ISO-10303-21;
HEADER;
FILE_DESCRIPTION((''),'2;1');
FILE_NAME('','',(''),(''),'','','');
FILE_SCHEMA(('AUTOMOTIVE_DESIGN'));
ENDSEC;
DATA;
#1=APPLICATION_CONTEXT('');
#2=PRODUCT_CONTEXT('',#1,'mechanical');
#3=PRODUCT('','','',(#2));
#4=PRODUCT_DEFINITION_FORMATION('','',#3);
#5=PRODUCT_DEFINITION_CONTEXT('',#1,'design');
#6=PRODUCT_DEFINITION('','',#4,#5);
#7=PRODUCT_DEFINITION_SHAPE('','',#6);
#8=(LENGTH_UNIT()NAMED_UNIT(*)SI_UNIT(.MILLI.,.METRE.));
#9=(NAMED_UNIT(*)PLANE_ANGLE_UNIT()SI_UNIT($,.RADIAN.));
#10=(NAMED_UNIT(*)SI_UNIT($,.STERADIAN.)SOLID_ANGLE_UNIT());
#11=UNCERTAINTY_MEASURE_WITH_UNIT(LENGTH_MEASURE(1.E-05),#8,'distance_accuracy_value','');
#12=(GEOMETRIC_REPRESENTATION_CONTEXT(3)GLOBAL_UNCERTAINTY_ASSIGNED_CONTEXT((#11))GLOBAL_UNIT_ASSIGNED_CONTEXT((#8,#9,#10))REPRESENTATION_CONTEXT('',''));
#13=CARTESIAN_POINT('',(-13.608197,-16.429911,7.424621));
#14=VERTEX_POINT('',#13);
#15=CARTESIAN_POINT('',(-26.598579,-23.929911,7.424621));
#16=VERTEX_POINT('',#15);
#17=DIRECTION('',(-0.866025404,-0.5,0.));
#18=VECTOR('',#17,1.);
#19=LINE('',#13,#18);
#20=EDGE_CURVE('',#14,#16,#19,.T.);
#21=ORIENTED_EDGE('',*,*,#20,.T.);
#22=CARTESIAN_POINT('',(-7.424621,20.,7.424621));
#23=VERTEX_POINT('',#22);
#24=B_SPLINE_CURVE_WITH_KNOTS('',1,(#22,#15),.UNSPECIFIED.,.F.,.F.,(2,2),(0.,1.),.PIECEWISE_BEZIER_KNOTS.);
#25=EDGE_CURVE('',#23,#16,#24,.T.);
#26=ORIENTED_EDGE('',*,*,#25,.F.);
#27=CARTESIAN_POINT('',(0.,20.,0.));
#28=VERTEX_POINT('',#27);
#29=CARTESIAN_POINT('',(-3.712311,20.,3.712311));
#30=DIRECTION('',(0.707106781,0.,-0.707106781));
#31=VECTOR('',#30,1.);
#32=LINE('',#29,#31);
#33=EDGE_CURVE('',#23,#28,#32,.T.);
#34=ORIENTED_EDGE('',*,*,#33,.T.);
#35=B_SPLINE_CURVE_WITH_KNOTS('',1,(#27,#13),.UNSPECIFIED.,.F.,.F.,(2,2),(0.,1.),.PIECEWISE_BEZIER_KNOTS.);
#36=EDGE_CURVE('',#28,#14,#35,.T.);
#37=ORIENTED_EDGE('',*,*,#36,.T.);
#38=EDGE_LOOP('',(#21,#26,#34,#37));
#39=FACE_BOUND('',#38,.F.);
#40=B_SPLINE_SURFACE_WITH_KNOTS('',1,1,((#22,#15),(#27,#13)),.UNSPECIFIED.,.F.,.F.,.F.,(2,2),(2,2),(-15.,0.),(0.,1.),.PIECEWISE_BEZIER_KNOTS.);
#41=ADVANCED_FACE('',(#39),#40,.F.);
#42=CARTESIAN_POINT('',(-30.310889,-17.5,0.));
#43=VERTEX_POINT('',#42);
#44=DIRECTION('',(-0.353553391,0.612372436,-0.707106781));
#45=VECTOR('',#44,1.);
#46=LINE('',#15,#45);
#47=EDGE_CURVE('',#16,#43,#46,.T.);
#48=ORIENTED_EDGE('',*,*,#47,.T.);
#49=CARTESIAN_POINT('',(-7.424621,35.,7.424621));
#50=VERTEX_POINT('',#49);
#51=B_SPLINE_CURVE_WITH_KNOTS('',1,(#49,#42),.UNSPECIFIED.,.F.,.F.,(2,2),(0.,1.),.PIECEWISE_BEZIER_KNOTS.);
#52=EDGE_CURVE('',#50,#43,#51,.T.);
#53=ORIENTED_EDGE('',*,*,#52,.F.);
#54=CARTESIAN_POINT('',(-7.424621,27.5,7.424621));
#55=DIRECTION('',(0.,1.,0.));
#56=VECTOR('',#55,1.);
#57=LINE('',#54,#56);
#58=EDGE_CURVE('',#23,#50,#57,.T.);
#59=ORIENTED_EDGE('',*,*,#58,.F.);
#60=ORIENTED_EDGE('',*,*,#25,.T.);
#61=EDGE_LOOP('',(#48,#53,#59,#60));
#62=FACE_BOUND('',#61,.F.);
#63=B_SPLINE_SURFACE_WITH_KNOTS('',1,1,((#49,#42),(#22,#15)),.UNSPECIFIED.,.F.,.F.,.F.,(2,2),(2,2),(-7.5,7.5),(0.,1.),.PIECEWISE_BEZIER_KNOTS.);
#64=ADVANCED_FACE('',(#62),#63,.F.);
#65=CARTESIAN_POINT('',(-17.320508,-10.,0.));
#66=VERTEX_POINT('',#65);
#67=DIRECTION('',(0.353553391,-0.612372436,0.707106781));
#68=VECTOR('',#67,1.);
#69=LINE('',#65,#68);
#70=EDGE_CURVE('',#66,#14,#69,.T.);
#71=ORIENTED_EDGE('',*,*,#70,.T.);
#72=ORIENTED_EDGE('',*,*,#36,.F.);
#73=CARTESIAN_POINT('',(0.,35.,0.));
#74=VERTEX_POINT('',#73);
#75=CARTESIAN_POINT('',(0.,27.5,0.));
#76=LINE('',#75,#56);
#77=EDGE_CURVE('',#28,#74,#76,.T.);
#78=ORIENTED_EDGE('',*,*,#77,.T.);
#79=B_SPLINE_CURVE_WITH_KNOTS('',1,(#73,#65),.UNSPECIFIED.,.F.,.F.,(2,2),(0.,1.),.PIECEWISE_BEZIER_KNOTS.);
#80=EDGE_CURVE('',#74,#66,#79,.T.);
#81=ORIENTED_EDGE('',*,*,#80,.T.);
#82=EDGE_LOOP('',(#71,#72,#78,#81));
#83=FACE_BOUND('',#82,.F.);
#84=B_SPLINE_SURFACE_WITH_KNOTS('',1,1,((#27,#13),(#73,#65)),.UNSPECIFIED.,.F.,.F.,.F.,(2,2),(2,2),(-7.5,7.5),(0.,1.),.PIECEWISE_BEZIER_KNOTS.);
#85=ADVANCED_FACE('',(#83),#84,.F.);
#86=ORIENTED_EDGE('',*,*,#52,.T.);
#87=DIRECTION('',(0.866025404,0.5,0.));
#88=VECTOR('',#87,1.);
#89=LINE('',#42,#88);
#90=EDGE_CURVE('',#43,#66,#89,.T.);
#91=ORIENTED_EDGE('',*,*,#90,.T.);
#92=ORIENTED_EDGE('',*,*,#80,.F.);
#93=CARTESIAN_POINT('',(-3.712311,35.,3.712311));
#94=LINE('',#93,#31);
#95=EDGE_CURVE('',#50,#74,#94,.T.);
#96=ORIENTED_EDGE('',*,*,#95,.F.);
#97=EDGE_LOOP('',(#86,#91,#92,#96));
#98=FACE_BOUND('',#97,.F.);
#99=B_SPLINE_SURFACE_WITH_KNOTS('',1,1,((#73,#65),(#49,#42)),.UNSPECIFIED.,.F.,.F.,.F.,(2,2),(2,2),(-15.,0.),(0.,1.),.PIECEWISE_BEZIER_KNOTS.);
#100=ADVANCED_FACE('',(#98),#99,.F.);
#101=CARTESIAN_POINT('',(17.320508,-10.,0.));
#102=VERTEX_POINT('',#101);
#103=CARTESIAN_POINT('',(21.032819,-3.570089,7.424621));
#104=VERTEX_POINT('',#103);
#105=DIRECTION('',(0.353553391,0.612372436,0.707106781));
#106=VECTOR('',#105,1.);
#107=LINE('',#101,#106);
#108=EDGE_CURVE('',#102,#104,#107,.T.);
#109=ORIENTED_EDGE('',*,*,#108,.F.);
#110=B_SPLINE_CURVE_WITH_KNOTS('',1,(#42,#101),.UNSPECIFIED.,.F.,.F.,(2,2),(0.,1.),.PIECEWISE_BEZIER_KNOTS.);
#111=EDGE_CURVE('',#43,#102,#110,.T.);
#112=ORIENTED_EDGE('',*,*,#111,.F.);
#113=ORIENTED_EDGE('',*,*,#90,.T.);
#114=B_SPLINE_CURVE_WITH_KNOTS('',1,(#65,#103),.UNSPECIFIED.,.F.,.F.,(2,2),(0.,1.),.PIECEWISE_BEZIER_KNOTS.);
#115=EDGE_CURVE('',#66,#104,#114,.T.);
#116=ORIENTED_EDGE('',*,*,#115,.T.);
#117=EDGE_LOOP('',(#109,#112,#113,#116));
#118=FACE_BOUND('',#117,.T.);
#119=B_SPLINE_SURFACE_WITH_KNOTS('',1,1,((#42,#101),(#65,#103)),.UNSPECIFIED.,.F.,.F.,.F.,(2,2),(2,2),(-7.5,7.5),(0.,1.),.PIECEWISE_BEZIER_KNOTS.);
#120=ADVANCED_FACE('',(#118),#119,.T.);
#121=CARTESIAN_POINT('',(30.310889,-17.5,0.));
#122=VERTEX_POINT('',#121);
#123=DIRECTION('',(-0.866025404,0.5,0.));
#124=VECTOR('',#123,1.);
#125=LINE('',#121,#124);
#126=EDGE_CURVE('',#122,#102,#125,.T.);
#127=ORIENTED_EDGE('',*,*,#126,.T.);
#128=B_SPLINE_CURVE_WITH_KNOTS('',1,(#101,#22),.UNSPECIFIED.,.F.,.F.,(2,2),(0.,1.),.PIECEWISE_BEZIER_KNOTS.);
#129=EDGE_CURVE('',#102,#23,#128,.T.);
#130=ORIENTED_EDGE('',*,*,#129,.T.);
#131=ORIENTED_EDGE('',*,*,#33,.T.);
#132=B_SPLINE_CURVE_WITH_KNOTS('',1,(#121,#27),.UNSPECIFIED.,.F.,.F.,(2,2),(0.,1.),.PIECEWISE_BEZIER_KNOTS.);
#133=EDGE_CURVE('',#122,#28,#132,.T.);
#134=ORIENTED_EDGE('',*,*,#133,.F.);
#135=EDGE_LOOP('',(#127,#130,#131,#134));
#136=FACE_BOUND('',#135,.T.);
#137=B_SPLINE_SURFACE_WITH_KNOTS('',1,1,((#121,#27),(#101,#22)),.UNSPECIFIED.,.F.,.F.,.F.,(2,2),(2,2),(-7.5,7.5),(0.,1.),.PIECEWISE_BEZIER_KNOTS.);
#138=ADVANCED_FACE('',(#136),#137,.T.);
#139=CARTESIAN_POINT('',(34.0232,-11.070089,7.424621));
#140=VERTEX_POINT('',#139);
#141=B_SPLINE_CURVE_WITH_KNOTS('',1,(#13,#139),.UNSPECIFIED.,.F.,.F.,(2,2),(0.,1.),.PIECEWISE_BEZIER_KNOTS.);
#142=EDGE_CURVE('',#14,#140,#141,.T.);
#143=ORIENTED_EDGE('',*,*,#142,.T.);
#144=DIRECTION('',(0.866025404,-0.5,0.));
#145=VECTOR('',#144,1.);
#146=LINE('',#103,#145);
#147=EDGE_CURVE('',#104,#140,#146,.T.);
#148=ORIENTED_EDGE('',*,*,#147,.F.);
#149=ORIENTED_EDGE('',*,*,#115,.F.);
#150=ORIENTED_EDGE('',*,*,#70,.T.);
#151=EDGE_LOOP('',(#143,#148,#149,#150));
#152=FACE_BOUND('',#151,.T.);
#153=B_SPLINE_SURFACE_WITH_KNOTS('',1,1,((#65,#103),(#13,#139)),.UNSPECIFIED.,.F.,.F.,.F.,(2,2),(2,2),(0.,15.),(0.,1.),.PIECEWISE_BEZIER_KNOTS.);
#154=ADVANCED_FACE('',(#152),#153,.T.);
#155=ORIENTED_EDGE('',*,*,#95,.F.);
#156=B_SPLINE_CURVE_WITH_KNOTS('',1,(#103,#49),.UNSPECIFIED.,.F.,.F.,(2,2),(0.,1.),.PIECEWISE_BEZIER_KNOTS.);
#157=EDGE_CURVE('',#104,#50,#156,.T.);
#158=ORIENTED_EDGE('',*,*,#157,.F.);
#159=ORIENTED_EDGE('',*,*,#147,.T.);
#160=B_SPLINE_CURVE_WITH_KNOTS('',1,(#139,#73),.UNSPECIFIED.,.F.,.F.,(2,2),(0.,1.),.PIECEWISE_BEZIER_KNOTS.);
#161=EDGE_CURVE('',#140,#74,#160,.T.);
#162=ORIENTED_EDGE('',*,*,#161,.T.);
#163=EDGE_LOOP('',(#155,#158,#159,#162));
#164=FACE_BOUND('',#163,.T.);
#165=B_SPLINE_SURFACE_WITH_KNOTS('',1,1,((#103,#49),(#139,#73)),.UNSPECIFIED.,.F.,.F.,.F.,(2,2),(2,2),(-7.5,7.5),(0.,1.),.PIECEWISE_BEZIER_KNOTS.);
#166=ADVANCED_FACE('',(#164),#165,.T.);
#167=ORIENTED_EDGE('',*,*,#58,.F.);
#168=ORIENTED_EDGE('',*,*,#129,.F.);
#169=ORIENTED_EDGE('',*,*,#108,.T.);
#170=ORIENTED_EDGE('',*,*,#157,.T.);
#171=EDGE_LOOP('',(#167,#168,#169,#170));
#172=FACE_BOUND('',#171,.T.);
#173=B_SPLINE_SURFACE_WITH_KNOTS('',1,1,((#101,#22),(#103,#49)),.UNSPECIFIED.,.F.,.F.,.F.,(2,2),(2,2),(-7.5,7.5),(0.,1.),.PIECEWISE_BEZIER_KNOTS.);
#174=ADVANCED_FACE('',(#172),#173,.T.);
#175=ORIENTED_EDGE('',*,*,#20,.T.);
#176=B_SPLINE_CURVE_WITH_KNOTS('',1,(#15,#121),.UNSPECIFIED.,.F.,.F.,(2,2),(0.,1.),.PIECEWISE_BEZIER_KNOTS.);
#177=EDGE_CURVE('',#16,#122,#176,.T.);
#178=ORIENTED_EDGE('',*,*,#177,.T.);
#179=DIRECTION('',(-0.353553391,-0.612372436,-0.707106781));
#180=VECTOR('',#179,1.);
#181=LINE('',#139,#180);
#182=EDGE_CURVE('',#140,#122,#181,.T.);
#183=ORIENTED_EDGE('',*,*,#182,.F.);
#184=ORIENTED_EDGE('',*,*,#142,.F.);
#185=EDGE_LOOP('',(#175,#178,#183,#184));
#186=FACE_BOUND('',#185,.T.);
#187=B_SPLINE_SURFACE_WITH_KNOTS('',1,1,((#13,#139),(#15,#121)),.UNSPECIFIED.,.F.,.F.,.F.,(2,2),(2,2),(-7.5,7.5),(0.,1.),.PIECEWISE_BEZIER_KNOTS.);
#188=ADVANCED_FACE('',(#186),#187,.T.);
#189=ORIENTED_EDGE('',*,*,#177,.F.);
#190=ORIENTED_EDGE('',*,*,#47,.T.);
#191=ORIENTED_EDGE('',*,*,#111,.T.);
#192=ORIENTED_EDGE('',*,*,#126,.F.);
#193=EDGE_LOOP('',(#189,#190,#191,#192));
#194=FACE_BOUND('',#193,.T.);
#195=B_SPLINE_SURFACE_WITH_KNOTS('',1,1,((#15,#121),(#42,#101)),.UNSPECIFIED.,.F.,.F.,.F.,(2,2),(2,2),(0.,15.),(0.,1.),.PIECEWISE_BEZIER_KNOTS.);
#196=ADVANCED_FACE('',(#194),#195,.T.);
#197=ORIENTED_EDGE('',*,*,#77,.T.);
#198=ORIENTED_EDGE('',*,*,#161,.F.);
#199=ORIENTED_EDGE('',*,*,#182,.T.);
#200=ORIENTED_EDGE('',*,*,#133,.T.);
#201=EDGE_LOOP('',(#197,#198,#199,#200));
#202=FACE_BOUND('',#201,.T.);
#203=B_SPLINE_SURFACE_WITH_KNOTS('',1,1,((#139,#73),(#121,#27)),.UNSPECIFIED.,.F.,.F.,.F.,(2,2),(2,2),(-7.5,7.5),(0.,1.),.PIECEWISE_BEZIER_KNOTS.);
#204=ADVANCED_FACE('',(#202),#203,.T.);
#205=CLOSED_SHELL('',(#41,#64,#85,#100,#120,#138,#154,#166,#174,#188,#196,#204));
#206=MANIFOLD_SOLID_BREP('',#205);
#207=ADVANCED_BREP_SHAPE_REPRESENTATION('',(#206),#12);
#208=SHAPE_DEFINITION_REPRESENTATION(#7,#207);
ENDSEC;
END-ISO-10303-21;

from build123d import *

# Parameters (mm, degrees)
F2_W       = 10.5
F2_H       = 15
F7_FACE_W  = 15
F7_FACE_H  = 10.5
F8_FACE_W  = 15
F8_FACE_H  = 10.5
F7_FACE1_W = 15
F7_FACE1_H = 10.5


with BuildPart() as f7:
    # F2 (on line) → F7 section 0
    with BuildSketch(Plane(origin=(0, 0, 0), x_dir=(0.7071067812, 0, -0.7071067812), z_dir=(0.7071067812, 0, 0.7071067812))):
        with Locations((-5.25, 27.5)):
            Rectangle(F2_W, F2_H)
    # F4 (on line) → F7 section 1
    with BuildSketch(Plane(origin=(0, 0, 0), x_dir=(0.9354143467, 0.2314550249, 0.2672612419), z_dir=(0.3535533906, -0.6123724357, -0.7071067812))):
        Polygon((-18.5164019955, 7.5592894602), (-14.5477750289, 17.2804005078), (-28.4350765254, 22.9498676029), (-32.403703492, 13.2287565553), align=None)
    loft()

    # F7_face (on face) → F8 section 0
    with BuildSketch(Plane(origin=(-21.9595433035, -16.9649552874, 3.7123106012), x_dir=(0.8660254038, 0.5, 0), z_dir=(0.3535533906, -0.6123724357, -0.7071067812))):
        Rectangle(F7_FACE_W, F7_FACE_H)
    # F6 (on line) → F8 section 1
    with BuildSketch(Plane(origin=(0, 0, 0), x_dir=(0.9354143467, -0.2314550249, 0.2672612419), z_dir=(0.3535533906, 0.6123724357, -0.7071067812))):
        Polygon((32.403703492, 13.2287565553), (18.5164019955, 7.5592894602), (22.485028962, -2.1618215874), (36.3723304586, 3.5076455077), align=None)
    loft()

    # F8_face (on face) → F9 section 0
    with BuildSketch(Plane(origin=(25.6718539047, -10.5350447126, 3.7123106012), x_dir=(-0.8660254038, 0.5, 0), z_dir=(0.3535533906, 0.6123724357, -0.7071067812))):
        Rectangle(F8_FACE_W, F8_FACE_H)
    # F7_face1 (on face) → F9 section 1
    with BuildSketch(Plane(origin=(-3.7123106012, 27.5, 3.7123106012), x_dir=(0, 1, 0), z_dir=(0.7071067812, 0, 0.7071067812))):
        Rectangle(F7_FACE1_W, F7_FACE1_H)
    loft()


solid = f7.part
